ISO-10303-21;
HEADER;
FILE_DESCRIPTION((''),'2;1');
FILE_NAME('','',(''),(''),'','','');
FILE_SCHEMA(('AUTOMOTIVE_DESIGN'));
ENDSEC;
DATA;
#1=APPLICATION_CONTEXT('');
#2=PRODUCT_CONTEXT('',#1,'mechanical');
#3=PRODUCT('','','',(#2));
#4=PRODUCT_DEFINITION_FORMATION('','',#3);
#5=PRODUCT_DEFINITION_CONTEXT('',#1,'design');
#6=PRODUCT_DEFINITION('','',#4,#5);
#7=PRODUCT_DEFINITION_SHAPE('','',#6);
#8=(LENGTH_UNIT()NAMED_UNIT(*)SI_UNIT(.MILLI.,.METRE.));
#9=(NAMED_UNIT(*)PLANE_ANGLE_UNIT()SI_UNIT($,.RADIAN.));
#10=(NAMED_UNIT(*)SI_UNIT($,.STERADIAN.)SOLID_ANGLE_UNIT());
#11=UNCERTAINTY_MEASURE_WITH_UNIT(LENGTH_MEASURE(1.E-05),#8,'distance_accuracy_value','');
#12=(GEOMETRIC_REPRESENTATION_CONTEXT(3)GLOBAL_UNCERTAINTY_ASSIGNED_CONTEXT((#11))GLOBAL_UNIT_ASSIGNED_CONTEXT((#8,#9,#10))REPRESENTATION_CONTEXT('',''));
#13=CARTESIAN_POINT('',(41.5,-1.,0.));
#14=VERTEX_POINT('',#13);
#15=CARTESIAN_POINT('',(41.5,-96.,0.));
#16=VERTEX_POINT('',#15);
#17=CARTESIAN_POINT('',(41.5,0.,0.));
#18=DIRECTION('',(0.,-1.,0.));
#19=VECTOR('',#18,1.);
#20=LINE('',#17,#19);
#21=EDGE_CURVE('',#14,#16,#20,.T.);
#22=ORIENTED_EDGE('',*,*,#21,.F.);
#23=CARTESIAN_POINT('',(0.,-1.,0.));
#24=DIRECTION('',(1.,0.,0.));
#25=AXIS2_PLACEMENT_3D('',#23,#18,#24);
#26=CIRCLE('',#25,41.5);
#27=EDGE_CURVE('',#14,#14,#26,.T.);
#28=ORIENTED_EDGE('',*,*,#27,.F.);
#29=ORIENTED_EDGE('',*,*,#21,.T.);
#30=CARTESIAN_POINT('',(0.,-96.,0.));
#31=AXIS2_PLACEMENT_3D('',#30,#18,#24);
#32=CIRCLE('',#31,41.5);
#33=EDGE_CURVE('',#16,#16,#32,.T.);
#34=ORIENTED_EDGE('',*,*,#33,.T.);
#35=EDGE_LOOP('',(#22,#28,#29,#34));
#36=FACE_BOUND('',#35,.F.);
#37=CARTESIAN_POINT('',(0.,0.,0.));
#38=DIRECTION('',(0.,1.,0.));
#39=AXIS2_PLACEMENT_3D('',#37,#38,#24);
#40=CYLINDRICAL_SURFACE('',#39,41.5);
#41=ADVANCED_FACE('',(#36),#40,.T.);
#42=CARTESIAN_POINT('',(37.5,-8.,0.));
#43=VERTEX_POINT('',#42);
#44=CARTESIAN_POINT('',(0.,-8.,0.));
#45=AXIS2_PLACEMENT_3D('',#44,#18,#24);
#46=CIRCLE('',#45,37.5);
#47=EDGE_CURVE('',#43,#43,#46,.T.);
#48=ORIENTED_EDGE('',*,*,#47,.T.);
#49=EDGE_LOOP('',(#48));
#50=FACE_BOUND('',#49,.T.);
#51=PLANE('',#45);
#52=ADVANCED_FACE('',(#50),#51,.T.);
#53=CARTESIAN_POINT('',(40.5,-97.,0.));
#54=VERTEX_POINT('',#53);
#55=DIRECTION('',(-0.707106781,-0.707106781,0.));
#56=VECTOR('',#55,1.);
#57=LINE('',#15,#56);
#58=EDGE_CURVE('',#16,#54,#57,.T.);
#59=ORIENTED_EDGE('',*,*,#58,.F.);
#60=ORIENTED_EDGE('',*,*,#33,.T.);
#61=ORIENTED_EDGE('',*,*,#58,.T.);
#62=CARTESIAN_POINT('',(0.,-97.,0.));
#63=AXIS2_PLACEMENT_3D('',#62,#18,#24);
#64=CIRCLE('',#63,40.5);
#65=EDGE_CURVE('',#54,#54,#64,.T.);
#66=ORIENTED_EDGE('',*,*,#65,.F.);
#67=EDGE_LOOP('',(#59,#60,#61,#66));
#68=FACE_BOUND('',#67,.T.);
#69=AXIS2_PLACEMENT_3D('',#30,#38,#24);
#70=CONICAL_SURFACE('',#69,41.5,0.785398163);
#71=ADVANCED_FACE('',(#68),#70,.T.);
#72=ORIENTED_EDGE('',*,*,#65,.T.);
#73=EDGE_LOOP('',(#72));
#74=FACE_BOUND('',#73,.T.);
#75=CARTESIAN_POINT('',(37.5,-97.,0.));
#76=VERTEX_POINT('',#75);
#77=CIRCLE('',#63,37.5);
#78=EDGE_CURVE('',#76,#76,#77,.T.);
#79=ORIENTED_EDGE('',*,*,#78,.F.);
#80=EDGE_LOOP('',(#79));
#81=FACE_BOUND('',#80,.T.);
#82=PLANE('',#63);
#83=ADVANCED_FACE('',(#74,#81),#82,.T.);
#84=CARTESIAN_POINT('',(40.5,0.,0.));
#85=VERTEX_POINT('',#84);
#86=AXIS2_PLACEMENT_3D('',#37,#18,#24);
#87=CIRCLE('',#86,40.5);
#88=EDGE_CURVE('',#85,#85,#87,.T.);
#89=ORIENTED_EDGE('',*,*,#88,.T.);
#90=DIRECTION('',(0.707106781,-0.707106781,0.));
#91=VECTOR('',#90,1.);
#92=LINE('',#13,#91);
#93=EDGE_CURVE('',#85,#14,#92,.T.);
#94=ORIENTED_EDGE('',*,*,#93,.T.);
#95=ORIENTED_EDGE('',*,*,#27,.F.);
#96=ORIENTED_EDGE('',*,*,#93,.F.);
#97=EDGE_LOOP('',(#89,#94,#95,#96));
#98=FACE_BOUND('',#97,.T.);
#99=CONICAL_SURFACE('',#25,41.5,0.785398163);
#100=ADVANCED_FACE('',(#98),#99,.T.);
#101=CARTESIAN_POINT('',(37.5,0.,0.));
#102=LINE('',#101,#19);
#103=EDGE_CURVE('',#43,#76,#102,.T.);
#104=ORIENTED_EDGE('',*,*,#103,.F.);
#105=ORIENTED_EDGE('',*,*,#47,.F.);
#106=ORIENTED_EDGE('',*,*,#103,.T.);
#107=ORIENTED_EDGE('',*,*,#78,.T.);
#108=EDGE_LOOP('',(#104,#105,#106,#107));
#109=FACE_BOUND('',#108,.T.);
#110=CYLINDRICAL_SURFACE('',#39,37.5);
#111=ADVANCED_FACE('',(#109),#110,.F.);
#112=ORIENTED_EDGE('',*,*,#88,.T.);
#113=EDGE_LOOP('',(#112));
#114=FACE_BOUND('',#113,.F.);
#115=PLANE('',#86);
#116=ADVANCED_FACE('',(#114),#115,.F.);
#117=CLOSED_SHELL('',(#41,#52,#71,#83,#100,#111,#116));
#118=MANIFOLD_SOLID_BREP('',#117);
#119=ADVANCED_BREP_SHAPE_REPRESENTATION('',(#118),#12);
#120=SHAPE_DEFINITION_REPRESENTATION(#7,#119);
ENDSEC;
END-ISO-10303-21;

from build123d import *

# Parameters (mm, degrees)
F0_R     = 41.5
F0_R_2   = 37.5
F1_DEPTH = 97
F2_DEPTH = 8
F3_SIZE  = 1


with BuildPart() as f1:
    # F0 (on Front) → F1 (new body)
    with BuildSketch(Plane.XZ):
        Circle(F0_R)
        Circle(F0_R_2, mode=Mode.SUBTRACT)
    extrude(amount=F1_DEPTH)

    # F0 (on Front) → F2 (join)
    with BuildSketch(Plane.XZ):
        Circle(F0_R_2)
    extrude(amount=F2_DEPTH)

    # F3
    f3_edges = [f1.edges().sort_by_distance(p)[0] for p in [
        (41.5, -48.5, 0),
        (-41.5, 0, 0),
        (-41.5, -97, 0),
    ]]
    chamfer(f3_edges, length=F3_SIZE)


solid = f1.part
